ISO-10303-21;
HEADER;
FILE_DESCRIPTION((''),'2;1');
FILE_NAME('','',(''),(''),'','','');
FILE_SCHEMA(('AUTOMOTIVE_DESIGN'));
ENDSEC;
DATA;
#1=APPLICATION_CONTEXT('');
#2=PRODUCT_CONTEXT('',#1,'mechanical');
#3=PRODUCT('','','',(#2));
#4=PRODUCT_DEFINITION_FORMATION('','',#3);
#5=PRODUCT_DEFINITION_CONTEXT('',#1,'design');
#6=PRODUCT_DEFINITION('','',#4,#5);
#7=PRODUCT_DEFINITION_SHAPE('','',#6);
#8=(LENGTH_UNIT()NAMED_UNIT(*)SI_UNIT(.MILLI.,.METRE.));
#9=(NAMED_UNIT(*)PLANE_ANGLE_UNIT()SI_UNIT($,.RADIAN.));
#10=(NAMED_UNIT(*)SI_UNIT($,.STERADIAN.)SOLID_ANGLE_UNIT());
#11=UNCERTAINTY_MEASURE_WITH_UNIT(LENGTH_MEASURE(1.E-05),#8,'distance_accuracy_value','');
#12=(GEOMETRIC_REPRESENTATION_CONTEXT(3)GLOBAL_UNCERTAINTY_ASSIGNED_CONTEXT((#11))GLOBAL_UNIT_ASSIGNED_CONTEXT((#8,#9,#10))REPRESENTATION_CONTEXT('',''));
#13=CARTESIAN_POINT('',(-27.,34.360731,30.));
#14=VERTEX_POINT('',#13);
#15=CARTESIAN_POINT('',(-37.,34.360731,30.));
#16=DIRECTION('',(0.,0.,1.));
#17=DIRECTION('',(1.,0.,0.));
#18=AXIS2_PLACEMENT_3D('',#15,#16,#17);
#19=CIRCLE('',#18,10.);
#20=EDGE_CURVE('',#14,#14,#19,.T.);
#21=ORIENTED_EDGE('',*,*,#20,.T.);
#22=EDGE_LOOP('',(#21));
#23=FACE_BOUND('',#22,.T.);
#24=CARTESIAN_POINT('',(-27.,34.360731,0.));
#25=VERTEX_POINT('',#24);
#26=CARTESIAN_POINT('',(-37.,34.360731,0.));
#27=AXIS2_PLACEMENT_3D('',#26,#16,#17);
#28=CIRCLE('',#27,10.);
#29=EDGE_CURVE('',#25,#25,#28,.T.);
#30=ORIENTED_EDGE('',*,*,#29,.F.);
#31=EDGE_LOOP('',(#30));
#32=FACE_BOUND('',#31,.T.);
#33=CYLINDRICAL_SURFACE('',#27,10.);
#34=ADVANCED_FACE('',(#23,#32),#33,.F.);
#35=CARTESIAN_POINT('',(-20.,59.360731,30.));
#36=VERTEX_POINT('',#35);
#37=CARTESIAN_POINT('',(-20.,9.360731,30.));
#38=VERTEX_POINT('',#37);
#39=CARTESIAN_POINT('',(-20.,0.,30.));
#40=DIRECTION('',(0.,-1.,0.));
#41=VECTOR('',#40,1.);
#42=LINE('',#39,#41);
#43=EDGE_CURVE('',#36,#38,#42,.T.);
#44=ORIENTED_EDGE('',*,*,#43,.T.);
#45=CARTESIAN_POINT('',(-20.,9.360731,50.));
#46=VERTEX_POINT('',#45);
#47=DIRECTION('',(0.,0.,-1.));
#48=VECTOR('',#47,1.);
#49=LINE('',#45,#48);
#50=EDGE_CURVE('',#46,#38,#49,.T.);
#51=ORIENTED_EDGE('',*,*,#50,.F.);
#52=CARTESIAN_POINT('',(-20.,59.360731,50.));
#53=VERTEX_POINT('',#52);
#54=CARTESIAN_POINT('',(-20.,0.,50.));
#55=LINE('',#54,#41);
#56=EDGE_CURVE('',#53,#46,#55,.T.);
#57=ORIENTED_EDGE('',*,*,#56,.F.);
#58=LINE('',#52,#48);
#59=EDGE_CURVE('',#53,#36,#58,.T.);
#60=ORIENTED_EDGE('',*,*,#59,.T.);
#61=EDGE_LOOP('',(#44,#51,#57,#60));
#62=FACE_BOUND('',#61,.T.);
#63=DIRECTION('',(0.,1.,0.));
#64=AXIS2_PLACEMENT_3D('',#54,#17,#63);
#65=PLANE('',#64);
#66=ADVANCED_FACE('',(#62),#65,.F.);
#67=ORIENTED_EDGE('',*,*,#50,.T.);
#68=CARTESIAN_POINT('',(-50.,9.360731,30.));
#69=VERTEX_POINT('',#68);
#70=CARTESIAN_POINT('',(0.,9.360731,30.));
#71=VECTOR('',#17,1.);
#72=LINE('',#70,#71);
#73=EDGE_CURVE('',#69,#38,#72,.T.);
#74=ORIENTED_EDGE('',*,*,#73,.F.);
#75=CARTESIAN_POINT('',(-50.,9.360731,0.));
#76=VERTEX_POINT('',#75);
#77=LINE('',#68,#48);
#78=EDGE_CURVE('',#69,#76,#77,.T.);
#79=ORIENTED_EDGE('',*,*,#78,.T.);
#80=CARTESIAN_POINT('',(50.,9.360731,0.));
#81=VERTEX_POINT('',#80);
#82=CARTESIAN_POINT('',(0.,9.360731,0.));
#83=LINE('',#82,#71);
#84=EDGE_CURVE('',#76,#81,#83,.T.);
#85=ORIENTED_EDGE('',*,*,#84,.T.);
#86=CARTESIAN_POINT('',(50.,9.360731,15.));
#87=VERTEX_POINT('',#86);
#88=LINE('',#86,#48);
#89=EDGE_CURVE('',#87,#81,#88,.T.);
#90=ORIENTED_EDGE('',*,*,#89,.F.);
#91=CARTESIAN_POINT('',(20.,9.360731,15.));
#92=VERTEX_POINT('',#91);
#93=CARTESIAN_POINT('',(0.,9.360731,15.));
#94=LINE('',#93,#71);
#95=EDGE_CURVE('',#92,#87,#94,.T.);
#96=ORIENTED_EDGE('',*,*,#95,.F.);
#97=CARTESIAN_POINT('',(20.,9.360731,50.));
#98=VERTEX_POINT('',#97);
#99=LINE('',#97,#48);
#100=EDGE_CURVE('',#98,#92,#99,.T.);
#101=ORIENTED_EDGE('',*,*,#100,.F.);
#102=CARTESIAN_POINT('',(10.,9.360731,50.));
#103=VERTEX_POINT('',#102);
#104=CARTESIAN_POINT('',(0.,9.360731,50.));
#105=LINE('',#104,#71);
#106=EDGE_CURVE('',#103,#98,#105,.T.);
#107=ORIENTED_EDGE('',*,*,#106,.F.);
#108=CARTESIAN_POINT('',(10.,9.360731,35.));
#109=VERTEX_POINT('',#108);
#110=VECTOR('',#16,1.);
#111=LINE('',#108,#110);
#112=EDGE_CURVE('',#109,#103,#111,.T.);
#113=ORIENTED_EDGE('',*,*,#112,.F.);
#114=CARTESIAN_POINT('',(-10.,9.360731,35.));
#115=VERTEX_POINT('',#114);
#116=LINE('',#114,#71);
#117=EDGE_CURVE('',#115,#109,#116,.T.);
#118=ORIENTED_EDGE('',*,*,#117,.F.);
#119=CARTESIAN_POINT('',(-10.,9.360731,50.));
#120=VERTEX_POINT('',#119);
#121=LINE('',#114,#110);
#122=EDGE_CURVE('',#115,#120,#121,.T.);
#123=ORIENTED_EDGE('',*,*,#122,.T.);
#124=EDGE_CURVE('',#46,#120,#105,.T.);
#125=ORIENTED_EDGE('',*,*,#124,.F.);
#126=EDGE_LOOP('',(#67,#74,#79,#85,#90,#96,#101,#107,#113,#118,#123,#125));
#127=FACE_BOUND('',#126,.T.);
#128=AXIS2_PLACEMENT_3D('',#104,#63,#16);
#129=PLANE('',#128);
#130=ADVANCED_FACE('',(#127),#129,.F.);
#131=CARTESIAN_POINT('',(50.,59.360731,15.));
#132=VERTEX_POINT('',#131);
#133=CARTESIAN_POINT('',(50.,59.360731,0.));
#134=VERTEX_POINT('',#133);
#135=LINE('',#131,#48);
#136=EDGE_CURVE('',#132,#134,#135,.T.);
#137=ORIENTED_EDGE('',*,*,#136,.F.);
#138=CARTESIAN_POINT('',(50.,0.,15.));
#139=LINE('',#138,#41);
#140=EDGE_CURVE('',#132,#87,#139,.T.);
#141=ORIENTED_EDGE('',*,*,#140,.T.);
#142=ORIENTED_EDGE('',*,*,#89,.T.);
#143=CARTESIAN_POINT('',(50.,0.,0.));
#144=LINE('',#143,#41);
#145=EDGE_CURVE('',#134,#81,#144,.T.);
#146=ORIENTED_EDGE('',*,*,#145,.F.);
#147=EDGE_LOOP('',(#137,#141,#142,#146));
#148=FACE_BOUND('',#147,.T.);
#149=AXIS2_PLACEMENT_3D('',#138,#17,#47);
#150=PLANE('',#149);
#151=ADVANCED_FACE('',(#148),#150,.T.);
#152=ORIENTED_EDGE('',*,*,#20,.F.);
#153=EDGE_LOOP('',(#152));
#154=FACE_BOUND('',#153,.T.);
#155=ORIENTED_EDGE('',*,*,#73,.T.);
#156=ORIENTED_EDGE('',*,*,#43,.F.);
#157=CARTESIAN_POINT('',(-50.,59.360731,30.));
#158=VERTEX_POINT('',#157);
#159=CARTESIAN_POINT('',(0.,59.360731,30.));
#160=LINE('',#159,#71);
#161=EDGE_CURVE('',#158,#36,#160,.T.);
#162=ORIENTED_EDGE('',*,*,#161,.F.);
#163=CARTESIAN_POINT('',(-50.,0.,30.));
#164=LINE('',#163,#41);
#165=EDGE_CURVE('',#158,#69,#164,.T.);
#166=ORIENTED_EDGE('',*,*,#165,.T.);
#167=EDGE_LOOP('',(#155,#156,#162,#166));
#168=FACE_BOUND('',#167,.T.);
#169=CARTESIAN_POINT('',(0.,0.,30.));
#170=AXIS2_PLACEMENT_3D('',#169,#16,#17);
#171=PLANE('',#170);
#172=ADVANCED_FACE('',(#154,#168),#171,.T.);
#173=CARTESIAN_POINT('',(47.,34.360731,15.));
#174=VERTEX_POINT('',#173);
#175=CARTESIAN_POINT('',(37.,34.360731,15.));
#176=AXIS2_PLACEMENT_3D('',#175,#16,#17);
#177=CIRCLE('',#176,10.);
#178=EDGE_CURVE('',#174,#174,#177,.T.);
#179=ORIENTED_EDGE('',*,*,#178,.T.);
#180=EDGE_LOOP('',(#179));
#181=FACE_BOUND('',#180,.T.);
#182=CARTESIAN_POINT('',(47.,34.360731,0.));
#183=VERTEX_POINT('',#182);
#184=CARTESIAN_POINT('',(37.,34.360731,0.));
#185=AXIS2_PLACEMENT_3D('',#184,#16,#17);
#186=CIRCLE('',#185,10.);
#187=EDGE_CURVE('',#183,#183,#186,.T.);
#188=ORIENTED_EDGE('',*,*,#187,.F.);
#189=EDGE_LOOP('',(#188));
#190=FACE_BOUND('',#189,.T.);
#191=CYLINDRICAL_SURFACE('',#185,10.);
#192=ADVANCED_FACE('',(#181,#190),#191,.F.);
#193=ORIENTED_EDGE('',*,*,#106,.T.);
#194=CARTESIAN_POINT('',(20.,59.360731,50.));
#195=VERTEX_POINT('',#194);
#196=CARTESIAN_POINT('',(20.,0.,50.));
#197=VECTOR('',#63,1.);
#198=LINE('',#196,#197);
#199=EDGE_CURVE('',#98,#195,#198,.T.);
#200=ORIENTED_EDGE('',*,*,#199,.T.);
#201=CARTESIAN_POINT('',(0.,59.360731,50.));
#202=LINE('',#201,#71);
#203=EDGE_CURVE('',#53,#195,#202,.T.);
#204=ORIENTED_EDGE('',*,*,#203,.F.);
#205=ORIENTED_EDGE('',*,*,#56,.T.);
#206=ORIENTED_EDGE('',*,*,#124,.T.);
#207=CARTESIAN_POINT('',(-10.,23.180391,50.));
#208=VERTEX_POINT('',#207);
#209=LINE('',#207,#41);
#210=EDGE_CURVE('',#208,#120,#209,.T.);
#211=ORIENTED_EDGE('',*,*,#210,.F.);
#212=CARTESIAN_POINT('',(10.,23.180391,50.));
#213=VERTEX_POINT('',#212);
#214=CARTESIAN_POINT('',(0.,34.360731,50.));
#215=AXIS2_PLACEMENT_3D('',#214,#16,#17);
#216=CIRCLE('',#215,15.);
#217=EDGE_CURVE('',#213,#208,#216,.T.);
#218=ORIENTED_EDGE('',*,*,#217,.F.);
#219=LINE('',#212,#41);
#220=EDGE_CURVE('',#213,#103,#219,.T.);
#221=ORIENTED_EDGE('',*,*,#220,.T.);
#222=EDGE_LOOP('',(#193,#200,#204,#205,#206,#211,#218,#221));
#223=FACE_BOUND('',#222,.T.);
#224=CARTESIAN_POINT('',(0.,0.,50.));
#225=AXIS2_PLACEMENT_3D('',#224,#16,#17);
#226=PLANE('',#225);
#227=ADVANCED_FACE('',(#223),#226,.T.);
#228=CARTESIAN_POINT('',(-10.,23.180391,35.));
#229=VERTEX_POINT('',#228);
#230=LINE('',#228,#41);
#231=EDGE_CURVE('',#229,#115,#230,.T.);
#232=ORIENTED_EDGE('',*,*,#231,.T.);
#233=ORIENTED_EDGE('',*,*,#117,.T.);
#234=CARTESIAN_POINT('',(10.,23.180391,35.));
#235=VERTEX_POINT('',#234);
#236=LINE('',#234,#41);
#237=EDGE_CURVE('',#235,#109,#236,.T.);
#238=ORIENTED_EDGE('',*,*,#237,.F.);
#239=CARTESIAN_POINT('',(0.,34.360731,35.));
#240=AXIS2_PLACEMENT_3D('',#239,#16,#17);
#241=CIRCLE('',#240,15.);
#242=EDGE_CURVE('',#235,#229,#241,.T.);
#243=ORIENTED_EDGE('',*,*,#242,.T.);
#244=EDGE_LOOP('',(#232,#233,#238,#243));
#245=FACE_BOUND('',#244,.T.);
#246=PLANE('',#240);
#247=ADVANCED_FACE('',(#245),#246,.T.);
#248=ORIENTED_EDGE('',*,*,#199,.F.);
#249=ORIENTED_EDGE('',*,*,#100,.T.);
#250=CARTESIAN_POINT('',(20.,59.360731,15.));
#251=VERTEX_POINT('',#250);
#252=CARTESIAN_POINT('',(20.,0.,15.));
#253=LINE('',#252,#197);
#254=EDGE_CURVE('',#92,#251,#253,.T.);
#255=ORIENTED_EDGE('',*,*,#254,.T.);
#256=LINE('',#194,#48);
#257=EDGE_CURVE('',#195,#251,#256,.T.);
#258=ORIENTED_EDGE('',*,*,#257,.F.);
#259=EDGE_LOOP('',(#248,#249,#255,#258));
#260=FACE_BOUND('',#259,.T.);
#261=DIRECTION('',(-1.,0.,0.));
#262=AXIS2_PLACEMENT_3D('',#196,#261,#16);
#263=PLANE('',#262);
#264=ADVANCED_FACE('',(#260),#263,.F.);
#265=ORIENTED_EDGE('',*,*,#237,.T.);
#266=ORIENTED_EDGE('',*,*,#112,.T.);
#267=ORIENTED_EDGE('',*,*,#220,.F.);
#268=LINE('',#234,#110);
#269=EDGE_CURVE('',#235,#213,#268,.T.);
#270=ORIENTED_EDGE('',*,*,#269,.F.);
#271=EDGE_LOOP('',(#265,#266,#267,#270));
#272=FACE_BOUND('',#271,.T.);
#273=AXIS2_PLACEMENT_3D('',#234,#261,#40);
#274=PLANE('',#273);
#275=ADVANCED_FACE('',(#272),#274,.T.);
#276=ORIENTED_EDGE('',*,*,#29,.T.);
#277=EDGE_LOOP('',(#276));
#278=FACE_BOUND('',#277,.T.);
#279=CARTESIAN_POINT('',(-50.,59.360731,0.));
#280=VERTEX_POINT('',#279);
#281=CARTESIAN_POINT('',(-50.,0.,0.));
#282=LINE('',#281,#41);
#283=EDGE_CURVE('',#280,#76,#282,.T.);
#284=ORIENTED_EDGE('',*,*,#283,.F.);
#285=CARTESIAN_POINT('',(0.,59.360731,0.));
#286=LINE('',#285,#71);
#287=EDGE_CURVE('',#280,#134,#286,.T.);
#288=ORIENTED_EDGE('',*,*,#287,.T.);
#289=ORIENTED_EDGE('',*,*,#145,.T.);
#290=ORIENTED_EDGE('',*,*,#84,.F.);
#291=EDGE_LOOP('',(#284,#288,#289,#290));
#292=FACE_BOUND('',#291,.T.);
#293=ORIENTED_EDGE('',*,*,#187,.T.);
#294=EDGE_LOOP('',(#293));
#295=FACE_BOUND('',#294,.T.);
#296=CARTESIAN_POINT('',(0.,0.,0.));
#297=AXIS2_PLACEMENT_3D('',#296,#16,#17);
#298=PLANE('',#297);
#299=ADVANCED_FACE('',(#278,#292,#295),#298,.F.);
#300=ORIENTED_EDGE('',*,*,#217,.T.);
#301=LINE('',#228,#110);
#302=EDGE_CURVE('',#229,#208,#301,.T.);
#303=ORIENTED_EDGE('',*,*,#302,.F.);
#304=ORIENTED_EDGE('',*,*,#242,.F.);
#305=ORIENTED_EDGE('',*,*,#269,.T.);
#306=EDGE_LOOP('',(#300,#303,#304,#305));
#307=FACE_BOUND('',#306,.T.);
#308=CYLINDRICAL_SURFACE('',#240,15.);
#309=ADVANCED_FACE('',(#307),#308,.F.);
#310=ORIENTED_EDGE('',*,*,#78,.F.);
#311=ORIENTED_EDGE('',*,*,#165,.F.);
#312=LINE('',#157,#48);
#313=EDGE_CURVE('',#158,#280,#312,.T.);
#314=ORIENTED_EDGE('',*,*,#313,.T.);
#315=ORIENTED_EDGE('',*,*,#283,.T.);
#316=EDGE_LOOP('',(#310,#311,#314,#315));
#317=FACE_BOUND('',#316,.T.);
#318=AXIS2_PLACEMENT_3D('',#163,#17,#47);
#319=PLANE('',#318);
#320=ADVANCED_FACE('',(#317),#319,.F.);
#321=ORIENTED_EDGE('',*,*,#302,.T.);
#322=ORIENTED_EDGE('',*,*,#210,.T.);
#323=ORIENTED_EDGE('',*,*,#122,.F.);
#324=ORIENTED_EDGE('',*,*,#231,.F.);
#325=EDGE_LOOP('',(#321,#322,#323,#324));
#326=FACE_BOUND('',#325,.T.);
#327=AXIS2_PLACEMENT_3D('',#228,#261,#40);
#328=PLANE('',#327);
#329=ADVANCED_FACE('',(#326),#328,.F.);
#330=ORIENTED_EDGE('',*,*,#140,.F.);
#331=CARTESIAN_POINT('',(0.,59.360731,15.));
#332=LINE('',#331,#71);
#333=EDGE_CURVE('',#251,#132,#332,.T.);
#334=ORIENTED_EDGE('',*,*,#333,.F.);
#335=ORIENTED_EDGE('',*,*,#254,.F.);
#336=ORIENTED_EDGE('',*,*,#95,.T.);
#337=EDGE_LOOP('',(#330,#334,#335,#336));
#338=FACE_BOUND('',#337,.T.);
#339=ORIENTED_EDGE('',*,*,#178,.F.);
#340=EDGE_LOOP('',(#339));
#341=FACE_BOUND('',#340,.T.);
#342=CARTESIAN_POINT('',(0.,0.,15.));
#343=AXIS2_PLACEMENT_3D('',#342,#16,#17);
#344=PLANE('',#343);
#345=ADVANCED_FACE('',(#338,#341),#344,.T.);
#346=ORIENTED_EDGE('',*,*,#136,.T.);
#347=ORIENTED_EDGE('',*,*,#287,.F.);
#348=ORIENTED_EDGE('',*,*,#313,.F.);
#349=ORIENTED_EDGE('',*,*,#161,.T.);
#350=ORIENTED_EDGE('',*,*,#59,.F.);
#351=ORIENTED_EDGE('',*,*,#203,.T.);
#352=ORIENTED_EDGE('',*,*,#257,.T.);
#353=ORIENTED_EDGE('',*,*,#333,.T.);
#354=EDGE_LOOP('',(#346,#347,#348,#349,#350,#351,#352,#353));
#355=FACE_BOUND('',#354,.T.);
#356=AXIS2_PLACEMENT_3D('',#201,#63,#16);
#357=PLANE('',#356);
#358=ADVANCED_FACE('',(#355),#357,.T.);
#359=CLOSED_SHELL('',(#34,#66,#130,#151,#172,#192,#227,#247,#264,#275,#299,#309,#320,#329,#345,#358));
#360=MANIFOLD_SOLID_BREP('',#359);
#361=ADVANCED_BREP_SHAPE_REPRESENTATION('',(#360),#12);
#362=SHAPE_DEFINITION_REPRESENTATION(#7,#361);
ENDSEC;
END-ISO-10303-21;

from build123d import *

# Parameters (mm, degrees)
SKETCH1_W           = 40
SKETCH1_H           = 50
BOSS_EXTRUDE1_DEPTH = 50
SKETCH1_3_W         = 30
SKETCH1_3_H         = 50
BOSS_EXTRUDE2_DEPTH = 30
SKETCH1_4_W         = 30
SKETCH1_4_H         = 50
BOSS_EXTRUDE3_DEPTH = 15
CUT_EXTRUDE1_DEPTH  = 15
SKETCH3_R           = 10
CUT_EXTRUDE2_DEPTH  = 84.208751563


with BuildPart() as part:
    # Sketch1 → Boss-Extrude1 (new body)
    with BuildSketch(Plane.XY):
        with Locations((0, 34.360730594)):
            Rectangle(SKETCH1_W, SKETCH1_H)
    extrude(amount=BOSS_EXTRUDE1_DEPTH)

    # Sketch1<3> → Boss-Extrude2 (add)
    with BuildSketch(Plane.XY):
        with Locations((-35, 34.360730594)):
            Rectangle(SKETCH1_3_W, SKETCH1_3_H)
    extrude(amount=BOSS_EXTRUDE2_DEPTH)

    # Sketch1<4> → Boss-Extrude3 (add)
    with BuildSketch(Plane.XY):
        with Locations((35, 34.360730594)):
            Rectangle(SKETCH1_4_W, SKETCH1_4_H)
    extrude(amount=BOSS_EXTRUDE3_DEPTH)

    # Sketch2 → Cut-Extrude1 (cut)
    with BuildSketch(Plane.XY.offset(50)):
        with BuildLine():
            Line((-10, 23.180390706), (-10, 9.360730594))
            Line((-10, 9.360730594), (10, 9.360730594))
            Line((10, 9.360730594), (10, 23.180390706))
            ThreePointArc((10, 23.180390706), (0, 49.360730594), (-10, 23.180390706))
        make_face()
    extrude(amount=-CUT_EXTRUDE1_DEPTH, mode=Mode.SUBTRACT)

    # Sketch3 → Cut-Extrude2 (cut, through all)
    with BuildSketch(Plane.XY.offset(30)):
        with Locations((-37, 34.360730594)):
            Circle(SKETCH3_R)
        with Locations((37, 34.360730594)):
            Circle(SKETCH3_R)
    extrude(amount=-CUT_EXTRUDE2_DEPTH, mode=Mode.SUBTRACT)


solid = part.part
